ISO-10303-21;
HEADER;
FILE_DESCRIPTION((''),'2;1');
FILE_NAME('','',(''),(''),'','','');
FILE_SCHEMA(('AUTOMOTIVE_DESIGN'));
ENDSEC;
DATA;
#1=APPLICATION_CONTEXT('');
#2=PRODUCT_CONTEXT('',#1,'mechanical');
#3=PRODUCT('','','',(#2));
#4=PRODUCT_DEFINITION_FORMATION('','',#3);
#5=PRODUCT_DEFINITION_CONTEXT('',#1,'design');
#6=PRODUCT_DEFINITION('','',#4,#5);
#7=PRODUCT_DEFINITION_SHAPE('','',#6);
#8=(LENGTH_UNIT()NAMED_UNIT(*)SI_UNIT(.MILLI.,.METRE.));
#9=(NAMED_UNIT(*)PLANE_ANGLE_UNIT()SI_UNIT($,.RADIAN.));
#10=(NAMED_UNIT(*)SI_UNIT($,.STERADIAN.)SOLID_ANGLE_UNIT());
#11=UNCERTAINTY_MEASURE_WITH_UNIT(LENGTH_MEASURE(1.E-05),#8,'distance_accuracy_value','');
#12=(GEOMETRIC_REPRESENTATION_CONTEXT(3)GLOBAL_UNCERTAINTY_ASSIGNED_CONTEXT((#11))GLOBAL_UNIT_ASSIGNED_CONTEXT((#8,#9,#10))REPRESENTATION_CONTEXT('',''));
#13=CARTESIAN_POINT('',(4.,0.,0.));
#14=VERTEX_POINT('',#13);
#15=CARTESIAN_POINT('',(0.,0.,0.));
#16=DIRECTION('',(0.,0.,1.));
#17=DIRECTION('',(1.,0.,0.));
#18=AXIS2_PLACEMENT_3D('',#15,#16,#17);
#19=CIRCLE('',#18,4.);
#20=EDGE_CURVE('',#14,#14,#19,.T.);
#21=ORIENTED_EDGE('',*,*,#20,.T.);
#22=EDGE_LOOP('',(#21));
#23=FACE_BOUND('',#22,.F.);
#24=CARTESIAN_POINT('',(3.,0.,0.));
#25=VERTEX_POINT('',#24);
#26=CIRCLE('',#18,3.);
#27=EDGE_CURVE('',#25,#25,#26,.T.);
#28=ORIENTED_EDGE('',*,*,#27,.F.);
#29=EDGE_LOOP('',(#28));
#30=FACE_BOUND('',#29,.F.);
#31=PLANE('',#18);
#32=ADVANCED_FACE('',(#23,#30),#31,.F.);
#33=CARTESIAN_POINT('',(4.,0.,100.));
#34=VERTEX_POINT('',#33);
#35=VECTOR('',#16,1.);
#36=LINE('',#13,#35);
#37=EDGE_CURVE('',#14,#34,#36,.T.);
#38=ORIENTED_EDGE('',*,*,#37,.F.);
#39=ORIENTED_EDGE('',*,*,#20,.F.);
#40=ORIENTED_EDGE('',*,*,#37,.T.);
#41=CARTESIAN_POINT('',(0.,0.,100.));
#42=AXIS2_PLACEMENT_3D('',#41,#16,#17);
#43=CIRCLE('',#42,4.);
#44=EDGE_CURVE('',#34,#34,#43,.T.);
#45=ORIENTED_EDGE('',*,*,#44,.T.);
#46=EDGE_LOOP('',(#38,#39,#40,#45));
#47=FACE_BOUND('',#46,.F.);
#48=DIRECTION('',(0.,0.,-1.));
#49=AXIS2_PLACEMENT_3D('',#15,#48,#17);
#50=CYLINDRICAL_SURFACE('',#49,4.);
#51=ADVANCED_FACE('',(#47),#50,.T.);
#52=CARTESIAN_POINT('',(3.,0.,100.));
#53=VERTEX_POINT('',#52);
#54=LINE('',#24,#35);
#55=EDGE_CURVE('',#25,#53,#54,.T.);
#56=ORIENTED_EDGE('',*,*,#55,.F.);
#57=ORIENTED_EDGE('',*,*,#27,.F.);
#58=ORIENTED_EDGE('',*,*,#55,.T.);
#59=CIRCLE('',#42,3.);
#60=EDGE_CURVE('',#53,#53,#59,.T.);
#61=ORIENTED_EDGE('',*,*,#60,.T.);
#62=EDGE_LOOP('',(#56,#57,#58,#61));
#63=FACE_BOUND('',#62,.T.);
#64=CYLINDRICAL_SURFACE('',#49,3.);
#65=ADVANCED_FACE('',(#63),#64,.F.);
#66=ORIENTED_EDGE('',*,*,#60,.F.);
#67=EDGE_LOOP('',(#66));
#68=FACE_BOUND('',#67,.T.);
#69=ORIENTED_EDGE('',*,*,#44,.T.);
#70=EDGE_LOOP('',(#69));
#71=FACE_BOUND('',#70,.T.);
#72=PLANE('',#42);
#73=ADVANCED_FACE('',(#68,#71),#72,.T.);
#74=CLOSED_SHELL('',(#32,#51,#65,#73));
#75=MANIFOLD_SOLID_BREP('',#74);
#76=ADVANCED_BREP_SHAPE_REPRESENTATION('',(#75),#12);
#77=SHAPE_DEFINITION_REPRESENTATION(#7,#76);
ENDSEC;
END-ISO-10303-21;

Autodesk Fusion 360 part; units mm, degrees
sketch "Sketch1" plane through (0, 0, 0) normal (0, 0, 1) x (1, 0, 0)
  circle A0 centre (0, 0) radius 4
  circle A1 centre (0, 0) radius 3
  dimension "d1" = 8
  dimension "d2" = 6
extrude "Extrude1" add sketch "Sketch1" along normal blind 100
